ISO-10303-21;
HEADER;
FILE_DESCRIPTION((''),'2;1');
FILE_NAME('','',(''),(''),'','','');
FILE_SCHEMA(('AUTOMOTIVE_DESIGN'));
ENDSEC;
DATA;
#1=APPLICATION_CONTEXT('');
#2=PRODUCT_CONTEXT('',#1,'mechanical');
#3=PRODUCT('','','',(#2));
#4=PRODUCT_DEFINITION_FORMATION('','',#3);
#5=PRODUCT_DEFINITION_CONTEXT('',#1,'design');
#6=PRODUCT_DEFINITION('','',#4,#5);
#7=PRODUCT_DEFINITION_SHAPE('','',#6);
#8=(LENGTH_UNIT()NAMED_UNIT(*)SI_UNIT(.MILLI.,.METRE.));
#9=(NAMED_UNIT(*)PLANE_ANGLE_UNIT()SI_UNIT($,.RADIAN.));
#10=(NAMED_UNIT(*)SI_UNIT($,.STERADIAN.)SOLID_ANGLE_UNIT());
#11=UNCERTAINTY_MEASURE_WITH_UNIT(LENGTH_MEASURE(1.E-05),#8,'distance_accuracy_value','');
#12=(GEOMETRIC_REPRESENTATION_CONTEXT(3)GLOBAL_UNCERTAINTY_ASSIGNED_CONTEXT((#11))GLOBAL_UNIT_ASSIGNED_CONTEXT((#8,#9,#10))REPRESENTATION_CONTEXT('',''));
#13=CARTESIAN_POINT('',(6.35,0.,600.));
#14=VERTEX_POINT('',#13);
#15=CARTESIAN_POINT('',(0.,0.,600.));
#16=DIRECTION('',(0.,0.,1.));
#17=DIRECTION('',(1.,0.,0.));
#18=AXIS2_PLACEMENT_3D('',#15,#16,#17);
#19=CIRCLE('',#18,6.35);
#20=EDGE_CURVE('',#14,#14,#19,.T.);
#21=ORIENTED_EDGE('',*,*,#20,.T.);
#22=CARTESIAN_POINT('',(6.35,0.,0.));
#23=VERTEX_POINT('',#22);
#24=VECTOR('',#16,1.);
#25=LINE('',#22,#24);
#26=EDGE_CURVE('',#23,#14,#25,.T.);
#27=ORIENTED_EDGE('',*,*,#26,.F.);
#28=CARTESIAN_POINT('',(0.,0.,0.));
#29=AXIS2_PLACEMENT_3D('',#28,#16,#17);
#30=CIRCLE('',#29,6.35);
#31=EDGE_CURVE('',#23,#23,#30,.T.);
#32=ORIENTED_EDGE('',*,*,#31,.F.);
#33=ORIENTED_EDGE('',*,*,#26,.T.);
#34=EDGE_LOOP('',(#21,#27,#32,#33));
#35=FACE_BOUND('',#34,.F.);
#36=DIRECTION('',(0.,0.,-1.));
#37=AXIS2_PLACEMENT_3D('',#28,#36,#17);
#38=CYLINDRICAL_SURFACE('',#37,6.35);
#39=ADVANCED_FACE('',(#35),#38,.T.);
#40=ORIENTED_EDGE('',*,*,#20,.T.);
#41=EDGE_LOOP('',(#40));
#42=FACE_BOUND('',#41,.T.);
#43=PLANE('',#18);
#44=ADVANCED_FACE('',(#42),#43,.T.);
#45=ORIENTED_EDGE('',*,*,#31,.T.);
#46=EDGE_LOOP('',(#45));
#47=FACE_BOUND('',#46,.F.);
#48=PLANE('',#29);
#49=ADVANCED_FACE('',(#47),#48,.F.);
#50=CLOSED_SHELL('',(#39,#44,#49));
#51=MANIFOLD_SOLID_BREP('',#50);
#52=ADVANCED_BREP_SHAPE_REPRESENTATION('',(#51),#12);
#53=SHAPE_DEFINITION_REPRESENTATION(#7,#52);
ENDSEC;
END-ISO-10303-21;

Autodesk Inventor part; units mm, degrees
ref_plane "YZ Plane" through (0, 0, 0) normal (1, 0, 0) x (0, 1, 0)
ref_plane "XZ Plane" through (0, 0, 0) normal (0, 1, 0) x (-1, 0, 0)
ref_plane "XY Plane" through (0, 0, 0) normal (0, 0, 1) x (1, 0, 0)
sketch "Esboço3" plane through (0, 0, 0) normal (0, 0, 1) x (1, 0, 0)
  circle A0 centre (0, 0) radius 6.35
  dimension "d0" = 12.7
extrude "Extrusão1" add sketch "Esboço3" along normal blind 600
properties part number "Eixo_simplificado"
